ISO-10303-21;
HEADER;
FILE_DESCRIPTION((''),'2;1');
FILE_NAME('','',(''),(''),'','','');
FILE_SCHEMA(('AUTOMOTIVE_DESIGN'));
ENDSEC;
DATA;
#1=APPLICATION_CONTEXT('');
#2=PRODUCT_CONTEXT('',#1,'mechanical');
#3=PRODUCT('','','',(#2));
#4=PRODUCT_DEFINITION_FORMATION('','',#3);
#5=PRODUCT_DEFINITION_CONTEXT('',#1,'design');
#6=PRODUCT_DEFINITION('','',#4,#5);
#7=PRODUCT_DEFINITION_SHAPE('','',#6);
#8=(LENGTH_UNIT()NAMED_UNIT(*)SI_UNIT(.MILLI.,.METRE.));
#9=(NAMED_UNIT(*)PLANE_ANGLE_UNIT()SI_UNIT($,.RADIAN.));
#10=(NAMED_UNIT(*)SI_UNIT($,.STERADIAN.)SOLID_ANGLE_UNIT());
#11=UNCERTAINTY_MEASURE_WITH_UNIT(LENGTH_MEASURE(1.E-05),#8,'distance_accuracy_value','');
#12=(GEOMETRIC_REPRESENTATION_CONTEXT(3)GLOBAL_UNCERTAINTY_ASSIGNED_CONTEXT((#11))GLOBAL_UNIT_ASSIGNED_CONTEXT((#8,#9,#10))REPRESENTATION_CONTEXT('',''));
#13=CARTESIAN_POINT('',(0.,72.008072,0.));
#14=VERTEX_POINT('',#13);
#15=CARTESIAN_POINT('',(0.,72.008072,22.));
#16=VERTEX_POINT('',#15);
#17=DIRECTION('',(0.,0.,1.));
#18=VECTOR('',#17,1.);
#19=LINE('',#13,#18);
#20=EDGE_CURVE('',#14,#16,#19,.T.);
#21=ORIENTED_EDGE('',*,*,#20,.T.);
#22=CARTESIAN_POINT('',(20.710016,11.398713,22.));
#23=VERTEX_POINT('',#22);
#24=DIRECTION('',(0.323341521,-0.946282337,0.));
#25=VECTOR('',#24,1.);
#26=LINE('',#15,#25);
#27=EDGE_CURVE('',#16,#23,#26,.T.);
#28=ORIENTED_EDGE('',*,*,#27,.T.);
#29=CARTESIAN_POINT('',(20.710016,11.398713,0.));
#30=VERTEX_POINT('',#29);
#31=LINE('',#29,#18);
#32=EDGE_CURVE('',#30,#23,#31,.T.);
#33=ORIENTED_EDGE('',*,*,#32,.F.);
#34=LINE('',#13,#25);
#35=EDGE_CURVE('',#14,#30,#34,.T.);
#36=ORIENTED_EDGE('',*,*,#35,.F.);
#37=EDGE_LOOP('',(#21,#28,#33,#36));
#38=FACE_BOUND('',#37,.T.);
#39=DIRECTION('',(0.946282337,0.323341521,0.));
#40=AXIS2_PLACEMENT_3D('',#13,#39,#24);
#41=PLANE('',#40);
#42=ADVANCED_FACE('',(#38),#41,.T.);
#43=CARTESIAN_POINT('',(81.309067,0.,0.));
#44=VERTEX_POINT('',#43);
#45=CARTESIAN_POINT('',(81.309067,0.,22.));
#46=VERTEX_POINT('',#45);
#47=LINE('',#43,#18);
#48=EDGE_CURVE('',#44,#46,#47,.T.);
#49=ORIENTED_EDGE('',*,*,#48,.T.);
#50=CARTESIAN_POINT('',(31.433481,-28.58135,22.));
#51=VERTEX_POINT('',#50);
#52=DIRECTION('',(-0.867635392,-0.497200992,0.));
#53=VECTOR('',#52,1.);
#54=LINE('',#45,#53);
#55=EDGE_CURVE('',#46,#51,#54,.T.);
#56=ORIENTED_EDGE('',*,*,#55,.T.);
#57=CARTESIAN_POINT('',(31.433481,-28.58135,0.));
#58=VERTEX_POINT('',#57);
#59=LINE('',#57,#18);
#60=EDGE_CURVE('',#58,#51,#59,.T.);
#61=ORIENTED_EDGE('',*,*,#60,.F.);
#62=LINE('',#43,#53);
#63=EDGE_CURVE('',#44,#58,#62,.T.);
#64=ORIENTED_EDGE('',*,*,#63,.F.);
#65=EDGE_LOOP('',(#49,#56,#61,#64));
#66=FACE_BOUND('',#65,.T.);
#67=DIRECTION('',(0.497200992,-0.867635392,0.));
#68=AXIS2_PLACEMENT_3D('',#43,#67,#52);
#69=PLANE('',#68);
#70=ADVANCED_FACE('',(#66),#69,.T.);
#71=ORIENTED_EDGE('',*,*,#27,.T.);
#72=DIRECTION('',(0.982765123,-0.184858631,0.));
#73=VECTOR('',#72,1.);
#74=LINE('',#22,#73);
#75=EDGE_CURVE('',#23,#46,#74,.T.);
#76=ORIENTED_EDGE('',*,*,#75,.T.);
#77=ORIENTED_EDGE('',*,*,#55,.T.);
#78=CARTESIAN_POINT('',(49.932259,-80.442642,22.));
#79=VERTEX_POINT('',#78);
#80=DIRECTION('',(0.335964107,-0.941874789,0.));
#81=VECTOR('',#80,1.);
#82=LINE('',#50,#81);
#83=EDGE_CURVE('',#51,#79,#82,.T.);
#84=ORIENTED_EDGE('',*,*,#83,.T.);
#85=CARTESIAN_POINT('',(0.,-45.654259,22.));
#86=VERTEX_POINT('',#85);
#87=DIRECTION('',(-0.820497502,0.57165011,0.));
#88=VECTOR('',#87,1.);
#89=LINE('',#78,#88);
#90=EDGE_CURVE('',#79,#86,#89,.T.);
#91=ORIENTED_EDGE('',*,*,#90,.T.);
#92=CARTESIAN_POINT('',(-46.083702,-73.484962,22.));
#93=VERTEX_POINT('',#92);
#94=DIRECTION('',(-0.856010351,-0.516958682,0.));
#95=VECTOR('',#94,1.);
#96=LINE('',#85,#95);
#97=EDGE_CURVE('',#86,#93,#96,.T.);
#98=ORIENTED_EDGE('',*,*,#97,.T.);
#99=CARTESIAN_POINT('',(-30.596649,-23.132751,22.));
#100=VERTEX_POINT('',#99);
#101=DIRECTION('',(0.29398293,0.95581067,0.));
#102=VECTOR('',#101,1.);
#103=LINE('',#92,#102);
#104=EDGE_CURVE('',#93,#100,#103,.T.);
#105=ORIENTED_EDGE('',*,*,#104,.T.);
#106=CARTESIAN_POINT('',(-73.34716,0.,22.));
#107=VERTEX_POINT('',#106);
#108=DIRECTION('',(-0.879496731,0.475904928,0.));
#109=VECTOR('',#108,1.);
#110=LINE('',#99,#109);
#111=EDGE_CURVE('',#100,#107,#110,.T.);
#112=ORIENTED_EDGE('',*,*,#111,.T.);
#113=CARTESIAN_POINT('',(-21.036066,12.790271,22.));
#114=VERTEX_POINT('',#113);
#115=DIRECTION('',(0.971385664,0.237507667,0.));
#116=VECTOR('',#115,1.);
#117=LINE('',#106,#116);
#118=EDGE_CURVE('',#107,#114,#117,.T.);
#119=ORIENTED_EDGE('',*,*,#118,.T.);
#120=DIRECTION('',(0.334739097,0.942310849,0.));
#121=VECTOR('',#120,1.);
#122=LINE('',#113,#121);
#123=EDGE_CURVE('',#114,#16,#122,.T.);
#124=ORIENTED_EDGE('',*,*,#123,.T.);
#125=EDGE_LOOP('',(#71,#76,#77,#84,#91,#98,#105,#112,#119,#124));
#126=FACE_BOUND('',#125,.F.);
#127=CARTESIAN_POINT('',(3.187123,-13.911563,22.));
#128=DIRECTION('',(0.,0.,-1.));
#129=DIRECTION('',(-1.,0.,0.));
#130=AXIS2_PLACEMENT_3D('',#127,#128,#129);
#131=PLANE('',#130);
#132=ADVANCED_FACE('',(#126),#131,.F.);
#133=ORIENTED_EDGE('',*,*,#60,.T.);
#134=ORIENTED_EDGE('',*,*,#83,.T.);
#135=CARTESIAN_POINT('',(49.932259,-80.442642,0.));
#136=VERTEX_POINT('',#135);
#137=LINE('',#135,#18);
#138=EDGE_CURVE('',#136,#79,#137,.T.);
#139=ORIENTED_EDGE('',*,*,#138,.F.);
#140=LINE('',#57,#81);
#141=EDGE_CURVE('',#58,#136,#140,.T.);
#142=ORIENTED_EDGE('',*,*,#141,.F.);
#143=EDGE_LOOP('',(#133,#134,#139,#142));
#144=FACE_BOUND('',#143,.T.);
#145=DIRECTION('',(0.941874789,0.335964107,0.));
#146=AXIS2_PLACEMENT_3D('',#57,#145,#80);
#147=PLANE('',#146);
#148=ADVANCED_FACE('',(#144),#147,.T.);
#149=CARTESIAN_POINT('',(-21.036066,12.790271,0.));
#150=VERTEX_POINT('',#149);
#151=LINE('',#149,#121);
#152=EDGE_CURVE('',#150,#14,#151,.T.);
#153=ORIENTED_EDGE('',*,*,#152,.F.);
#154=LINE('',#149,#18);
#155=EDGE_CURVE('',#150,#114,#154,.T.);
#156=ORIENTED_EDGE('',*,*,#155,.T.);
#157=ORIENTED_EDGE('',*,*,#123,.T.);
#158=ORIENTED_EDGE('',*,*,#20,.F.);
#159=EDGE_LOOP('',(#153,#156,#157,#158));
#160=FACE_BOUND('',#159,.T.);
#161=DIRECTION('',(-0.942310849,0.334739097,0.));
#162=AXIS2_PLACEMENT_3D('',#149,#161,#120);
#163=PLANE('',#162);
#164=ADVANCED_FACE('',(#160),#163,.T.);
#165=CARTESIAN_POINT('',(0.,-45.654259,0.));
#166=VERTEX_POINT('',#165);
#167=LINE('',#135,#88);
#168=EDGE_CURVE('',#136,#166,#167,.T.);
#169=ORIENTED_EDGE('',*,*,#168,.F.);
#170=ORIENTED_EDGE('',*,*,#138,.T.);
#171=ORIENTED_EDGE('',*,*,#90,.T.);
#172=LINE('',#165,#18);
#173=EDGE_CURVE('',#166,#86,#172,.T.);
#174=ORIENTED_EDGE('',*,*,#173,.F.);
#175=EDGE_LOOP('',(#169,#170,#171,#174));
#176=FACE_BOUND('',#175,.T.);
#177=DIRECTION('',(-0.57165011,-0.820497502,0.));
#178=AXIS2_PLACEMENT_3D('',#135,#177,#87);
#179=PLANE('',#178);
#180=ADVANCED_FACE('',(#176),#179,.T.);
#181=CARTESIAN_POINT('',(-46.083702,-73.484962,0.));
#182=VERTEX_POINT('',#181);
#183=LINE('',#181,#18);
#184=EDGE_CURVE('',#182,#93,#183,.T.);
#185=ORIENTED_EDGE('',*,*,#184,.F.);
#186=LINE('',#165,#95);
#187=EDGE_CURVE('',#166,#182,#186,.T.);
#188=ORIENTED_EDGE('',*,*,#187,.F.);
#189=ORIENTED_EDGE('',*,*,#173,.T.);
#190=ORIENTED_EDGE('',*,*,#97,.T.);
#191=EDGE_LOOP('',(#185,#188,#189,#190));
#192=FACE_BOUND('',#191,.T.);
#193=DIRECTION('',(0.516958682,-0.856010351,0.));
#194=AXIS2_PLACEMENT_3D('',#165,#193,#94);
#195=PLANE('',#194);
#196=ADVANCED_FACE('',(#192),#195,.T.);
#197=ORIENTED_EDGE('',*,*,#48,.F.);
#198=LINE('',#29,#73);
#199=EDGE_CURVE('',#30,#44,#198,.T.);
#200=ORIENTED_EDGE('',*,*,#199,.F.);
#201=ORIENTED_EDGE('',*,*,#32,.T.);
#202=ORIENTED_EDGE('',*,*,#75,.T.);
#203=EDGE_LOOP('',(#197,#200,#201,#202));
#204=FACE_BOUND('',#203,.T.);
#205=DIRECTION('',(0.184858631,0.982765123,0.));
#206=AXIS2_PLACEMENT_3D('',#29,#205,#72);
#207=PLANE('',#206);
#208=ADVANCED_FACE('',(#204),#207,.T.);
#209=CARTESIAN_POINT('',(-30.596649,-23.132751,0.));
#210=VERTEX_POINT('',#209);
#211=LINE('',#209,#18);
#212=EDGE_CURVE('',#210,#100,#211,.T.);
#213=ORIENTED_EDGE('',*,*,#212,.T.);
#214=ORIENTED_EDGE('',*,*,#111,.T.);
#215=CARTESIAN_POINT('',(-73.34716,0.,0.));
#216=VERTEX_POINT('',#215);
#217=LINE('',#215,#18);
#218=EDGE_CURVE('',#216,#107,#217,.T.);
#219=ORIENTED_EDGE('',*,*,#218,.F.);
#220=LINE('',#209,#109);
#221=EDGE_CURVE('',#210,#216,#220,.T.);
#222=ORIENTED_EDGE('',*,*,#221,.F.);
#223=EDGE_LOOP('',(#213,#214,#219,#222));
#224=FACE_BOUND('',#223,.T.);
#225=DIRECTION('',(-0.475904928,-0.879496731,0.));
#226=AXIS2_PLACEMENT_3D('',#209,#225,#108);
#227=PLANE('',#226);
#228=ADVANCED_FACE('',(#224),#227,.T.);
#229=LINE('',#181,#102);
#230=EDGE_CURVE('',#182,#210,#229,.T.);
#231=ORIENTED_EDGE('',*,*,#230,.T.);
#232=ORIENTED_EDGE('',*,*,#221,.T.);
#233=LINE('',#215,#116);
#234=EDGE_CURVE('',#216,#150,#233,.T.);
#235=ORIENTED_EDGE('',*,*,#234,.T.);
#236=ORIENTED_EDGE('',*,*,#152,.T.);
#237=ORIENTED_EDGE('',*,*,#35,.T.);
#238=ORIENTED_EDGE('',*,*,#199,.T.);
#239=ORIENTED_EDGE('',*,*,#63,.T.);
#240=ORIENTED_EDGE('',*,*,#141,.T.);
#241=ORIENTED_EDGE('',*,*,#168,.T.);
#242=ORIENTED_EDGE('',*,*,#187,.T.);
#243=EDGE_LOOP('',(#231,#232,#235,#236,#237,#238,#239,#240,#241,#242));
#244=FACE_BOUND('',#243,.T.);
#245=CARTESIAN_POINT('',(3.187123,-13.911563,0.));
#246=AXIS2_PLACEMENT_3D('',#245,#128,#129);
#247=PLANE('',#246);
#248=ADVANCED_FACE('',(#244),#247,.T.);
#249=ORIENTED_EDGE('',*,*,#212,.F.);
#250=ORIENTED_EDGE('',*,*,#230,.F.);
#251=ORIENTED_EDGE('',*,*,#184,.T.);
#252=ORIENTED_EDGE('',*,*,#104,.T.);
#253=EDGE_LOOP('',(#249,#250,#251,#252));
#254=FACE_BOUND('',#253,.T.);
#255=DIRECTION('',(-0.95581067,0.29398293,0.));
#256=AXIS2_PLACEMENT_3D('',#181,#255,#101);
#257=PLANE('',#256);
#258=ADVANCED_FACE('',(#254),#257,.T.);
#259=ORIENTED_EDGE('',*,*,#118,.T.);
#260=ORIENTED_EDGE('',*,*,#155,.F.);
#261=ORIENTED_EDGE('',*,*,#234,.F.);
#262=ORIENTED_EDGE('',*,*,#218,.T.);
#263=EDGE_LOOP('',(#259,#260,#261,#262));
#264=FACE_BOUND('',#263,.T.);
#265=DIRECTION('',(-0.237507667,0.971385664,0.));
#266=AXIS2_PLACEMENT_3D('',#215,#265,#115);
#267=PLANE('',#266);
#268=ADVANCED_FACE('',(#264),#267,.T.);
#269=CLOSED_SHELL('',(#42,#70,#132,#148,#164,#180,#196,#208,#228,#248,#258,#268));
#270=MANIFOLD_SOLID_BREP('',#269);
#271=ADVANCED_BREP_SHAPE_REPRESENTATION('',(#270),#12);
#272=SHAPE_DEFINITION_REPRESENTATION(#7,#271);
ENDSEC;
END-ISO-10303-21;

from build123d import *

# Parameters (mm, degrees)
PAD_DEPTH = 22


with BuildPart() as part:
    # Sketch001 → Pad (new body)
    with BuildSketch(Plane.XY):
        Polygon((0, 72.008072), (20.710016, 11.398713), (81.309067, 0), (31.433481, -28.58135), (49.932259, -80.442642), (0, -45.654259), (-46.083702, -73.484962), (-30.596649, -23.132751), (-73.34716, 0), (-21.036066, 12.790271), align=None)
    extrude(amount=PAD_DEPTH)


solid = part.part
